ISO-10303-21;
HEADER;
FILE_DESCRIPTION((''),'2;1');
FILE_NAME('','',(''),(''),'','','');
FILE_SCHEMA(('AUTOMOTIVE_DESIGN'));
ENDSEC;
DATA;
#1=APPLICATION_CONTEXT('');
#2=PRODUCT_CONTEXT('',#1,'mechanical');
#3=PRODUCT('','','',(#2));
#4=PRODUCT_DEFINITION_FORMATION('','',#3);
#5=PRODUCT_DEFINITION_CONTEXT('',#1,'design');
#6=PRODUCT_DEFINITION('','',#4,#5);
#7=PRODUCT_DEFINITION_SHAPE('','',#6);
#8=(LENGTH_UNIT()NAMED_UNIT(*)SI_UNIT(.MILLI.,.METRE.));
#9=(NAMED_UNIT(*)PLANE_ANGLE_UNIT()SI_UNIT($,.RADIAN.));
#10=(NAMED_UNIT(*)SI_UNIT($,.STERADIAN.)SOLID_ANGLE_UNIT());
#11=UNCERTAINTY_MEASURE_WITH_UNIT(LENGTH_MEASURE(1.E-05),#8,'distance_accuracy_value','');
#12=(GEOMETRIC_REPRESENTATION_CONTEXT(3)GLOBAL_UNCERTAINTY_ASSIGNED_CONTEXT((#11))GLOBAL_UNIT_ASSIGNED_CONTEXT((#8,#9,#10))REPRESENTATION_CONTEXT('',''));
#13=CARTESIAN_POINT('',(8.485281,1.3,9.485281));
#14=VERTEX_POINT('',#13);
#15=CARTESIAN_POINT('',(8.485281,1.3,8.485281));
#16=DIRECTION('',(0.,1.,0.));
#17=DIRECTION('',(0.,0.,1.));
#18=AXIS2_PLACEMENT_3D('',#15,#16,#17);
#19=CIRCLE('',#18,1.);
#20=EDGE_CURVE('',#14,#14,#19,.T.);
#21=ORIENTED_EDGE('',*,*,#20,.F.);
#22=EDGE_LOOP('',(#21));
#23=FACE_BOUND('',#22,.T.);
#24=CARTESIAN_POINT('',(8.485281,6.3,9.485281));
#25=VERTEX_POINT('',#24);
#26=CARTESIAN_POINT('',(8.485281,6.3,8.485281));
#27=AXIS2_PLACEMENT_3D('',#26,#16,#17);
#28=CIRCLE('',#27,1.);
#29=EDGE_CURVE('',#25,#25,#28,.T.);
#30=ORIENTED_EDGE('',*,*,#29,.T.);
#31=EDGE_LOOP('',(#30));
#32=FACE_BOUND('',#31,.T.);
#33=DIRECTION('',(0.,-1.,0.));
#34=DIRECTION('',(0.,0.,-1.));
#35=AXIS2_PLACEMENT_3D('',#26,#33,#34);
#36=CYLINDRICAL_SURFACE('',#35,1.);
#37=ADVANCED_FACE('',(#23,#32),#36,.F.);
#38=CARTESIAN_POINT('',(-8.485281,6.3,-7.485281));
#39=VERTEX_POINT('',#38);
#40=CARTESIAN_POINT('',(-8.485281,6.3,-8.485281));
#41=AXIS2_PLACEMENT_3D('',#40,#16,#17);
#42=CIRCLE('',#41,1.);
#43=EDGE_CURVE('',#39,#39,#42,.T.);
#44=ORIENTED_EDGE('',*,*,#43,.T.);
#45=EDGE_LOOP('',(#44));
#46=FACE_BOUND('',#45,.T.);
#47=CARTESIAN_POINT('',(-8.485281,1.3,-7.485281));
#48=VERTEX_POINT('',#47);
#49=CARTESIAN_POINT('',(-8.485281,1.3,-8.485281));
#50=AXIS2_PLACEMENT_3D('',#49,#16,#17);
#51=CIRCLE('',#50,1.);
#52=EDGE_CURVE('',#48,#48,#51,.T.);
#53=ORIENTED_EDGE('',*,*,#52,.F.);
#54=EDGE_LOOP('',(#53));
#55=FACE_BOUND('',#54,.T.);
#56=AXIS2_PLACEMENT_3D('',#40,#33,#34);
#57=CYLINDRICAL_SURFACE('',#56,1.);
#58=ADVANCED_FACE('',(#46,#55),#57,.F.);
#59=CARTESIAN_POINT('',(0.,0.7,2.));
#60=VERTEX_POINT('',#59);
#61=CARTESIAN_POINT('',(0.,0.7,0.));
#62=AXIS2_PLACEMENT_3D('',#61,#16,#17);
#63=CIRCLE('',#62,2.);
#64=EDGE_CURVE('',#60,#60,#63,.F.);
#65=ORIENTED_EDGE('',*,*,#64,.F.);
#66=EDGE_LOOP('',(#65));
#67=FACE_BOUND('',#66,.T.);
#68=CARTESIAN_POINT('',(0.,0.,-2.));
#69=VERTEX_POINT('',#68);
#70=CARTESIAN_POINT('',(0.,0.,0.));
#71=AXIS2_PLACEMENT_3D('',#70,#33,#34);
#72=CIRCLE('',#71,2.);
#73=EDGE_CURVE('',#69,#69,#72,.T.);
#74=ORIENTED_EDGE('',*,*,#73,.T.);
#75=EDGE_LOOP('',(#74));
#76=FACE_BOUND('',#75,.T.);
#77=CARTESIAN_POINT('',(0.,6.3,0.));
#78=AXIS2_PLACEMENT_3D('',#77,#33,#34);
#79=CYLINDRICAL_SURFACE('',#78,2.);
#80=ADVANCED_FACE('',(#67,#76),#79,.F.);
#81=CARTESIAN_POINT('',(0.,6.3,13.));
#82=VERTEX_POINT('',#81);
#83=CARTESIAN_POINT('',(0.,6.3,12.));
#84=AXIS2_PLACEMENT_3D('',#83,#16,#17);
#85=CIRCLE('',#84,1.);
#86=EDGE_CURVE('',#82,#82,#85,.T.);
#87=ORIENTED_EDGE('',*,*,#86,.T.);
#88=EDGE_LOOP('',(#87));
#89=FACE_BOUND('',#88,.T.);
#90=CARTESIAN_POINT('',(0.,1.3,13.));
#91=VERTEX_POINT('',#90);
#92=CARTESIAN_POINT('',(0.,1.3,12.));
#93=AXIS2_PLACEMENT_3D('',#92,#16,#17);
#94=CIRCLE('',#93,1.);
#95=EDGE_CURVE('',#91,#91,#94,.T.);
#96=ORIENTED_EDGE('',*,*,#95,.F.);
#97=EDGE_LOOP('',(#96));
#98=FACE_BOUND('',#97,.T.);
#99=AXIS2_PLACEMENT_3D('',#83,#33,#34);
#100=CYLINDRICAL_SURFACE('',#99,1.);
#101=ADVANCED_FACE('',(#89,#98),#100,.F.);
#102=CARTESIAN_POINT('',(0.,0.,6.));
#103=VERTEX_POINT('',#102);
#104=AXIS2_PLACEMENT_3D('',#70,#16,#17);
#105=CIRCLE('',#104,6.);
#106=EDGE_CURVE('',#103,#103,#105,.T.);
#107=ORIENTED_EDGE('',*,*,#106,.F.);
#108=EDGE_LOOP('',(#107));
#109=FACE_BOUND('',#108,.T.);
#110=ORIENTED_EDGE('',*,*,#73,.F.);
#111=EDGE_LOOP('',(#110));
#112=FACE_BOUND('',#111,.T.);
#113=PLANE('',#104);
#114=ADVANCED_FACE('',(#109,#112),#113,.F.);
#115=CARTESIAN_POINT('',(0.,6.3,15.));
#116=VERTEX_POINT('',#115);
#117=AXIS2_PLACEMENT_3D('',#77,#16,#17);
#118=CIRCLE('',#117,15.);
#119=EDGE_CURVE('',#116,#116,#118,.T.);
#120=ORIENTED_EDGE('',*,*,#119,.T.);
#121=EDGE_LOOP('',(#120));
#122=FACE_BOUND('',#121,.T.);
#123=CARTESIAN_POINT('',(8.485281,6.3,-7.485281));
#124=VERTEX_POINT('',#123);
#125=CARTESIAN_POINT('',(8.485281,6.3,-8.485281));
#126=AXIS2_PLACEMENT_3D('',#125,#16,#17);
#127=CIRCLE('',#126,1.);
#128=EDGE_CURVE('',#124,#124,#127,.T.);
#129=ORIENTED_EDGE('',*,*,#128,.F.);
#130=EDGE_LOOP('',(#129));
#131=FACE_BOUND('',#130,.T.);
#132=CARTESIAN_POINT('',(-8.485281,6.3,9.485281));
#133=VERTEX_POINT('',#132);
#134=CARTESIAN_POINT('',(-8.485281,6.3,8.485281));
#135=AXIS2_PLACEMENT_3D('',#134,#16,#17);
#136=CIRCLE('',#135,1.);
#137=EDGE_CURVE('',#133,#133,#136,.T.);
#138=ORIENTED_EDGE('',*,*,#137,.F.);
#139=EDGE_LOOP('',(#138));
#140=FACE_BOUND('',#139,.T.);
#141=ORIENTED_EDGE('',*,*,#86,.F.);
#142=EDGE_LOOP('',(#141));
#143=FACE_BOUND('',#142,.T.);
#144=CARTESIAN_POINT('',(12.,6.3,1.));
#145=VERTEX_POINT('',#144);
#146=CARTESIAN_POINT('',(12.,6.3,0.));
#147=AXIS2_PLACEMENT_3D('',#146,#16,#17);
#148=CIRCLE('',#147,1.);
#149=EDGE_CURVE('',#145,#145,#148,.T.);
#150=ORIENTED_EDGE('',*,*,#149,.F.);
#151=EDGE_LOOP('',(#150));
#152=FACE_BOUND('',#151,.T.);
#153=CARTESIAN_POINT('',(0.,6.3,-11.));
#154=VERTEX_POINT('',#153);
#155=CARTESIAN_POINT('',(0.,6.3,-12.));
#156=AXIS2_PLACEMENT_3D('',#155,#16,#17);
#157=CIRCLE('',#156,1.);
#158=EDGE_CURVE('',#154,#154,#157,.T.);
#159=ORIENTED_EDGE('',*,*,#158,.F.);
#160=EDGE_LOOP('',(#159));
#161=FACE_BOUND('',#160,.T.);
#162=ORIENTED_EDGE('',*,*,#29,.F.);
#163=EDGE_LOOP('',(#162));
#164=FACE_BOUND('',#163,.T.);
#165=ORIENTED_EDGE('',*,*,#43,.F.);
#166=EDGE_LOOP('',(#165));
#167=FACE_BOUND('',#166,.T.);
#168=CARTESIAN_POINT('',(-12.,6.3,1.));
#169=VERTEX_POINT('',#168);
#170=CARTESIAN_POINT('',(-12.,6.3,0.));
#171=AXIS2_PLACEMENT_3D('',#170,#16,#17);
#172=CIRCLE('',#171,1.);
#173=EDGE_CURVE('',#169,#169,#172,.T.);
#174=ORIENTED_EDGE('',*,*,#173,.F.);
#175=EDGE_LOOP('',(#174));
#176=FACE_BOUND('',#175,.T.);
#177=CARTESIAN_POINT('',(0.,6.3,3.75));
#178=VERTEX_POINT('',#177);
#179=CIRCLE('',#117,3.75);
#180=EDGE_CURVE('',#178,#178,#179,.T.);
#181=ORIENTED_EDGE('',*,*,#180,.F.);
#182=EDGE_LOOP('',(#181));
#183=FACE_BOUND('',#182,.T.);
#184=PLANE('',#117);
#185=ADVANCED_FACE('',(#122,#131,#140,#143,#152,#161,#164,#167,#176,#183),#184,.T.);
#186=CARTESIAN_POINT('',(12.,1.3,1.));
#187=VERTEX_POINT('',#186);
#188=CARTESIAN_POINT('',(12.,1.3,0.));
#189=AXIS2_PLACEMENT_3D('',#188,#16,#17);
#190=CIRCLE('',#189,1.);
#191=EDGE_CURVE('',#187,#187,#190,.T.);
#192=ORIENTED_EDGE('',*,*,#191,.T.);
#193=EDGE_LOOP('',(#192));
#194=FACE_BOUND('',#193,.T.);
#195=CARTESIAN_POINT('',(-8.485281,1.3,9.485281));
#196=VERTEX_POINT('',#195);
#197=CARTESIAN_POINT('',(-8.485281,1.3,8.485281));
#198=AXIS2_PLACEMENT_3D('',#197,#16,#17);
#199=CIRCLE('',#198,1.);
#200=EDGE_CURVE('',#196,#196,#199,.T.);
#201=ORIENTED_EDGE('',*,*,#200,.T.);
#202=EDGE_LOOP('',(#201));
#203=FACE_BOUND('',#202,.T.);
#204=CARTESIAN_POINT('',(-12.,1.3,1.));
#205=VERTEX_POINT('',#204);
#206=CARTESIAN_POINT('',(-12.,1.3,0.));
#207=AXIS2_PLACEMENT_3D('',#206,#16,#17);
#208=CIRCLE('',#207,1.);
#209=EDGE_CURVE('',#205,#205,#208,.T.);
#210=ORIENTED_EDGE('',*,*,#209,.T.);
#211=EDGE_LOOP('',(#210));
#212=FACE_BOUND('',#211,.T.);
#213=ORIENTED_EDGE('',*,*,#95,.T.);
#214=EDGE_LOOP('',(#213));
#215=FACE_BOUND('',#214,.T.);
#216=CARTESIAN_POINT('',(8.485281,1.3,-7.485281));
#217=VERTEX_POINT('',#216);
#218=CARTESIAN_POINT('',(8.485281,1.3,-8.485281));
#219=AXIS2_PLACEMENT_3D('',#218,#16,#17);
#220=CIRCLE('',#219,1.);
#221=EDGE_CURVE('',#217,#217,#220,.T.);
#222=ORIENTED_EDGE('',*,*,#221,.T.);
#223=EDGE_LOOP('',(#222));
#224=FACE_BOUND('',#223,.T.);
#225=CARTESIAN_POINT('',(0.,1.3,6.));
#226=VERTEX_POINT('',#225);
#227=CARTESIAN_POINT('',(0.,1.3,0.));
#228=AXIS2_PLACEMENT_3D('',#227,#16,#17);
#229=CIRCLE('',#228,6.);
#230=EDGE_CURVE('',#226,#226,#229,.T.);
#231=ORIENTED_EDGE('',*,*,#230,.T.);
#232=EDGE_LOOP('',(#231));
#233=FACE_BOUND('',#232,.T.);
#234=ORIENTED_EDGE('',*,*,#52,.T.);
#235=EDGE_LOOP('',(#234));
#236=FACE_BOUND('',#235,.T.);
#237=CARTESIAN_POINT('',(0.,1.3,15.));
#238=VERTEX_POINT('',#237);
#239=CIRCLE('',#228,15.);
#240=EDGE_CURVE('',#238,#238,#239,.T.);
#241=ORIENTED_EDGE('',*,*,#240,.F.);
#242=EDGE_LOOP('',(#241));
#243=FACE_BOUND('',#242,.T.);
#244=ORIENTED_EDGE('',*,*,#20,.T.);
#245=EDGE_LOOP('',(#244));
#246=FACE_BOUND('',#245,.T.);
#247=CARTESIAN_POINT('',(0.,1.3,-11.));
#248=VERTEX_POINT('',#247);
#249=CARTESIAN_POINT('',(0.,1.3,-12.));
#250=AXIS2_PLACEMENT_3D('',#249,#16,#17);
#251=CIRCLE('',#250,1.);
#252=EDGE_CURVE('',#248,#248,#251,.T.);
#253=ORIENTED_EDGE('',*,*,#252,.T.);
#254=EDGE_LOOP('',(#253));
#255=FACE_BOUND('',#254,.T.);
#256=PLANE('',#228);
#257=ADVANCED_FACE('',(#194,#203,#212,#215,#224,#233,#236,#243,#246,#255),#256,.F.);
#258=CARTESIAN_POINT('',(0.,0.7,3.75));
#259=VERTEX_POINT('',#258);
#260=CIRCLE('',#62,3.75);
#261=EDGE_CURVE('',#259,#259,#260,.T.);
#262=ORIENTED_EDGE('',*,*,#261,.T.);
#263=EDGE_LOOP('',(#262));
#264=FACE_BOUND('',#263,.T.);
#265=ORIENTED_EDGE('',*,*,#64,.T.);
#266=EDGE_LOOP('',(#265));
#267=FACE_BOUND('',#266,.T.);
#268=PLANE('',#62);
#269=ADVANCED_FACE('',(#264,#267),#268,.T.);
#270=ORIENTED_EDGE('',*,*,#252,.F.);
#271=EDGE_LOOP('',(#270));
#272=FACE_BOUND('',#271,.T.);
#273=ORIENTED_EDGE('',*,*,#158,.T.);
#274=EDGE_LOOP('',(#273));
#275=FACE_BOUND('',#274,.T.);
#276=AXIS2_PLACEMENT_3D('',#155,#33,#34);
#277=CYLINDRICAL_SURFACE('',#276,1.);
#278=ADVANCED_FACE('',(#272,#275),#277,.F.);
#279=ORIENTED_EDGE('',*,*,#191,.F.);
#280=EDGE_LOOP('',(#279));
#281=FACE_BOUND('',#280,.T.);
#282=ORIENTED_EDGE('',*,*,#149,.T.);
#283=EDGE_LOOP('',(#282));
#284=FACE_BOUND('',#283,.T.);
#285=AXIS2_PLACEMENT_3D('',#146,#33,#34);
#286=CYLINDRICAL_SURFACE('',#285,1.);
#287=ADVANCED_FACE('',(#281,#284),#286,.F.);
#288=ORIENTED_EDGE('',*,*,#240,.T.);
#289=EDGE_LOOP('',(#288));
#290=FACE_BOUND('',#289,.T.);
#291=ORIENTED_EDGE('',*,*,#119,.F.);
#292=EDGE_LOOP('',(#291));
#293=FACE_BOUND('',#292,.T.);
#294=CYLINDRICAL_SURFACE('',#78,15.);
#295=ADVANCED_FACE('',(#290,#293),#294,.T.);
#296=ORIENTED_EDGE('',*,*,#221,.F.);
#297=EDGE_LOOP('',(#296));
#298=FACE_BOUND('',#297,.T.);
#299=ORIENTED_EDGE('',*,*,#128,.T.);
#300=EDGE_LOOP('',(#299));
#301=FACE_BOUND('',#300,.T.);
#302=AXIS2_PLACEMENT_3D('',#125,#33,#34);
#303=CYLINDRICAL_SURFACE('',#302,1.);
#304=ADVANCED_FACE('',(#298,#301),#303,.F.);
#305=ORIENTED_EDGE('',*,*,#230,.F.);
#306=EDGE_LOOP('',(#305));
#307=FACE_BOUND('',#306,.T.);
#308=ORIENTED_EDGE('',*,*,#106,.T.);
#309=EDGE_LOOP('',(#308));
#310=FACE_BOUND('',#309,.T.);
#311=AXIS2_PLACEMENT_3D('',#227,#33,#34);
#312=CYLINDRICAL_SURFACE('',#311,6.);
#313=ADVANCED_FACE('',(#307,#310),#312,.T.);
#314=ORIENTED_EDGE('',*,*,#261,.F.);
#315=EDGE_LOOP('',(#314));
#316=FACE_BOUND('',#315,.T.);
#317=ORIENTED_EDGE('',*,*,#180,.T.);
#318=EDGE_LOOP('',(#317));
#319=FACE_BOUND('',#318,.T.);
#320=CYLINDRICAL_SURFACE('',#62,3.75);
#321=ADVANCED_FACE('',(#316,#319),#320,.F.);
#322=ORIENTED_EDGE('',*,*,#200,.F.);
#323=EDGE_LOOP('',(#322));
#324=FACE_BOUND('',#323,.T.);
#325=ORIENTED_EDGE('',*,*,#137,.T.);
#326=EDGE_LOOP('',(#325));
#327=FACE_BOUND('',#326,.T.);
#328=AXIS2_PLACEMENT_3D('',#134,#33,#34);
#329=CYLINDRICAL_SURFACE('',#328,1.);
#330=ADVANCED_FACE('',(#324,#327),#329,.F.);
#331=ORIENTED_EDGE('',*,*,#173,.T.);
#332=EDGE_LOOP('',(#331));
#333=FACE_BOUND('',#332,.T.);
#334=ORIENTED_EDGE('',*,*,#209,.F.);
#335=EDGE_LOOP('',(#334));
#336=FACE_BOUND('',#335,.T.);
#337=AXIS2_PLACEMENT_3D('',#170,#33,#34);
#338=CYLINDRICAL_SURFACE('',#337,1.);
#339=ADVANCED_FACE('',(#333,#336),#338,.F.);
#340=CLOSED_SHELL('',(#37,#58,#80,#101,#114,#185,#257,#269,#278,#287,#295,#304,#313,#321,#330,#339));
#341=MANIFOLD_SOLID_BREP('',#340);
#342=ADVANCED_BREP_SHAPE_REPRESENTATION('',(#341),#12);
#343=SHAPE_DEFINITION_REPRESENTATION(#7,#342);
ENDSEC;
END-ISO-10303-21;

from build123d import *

# Parameters (mm, degrees)
SKETCH1_R           = 6
BOSS_EXTRUDE1_DEPTH = 1.3
SKETCH2_R           = 15
SKETCH2_R_2         = 1
BOSS_EXTRUDE2_DEPTH = 5
SKETCH3_R           = 2
CUT_EXTRUDE1_DEPTH  = 23.128940327
SKETCH4_R           = 3.75
CUT_EXTRUDE2_DEPTH  = 5.6


with BuildPart() as part:
    # Sketch1 → Boss-Extrude1 (new body)
    with BuildSketch(Plane(origin=(0, 0, 0), x_dir=(1, 0, 0), z_dir=(0, 1, 0))):
        with Locations(Location((0, 0, 0), (0, 0, 270))):
            Circle(SKETCH1_R)
    extrude(amount=BOSS_EXTRUDE1_DEPTH)

    # Sketch2 → Boss-Extrude2 (add)
    with BuildSketch(Plane(origin=(0, 1.3, 0), x_dir=(1, 0, 0), z_dir=(0, 1, 0))):
        with Locations(Location((0, 0, 0), (0, 0, 270))):
            Circle(SKETCH2_R)
        with Locations(Location((0, 12, 0), (0, 0, 270))):
            Circle(SKETCH2_R_2, mode=Mode.SUBTRACT)
        with Locations(Location((8.485281374, 8.485281374, 0), (0, 0, 270))):
            Circle(SKETCH2_R_2, mode=Mode.SUBTRACT)
        with Locations(Location((12, 0, 0), (0, 0, 270))):
            Circle(SKETCH2_R_2, mode=Mode.SUBTRACT)
        with Locations(Location((8.485281374, -8.485281374, 0), (0, 0, 270))):
            Circle(SKETCH2_R_2, mode=Mode.SUBTRACT)
        with Locations(Location((0, -12, 0), (0, 0, 270))):
            Circle(SKETCH2_R_2, mode=Mode.SUBTRACT)
        with Locations(Location((-8.485281374, -8.485281374, 0), (0, 0, 270))):
            Circle(SKETCH2_R_2, mode=Mode.SUBTRACT)
        with Locations(Location((-12, 0, 0), (0, 0, 270))):
            Circle(SKETCH2_R_2, mode=Mode.SUBTRACT)
        with Locations(Location((-8.485281374, 8.485281374, 0), (0, 0, 270))):
            Circle(SKETCH2_R_2, mode=Mode.SUBTRACT)
    extrude(amount=BOSS_EXTRUDE2_DEPTH)

    # Sketch3 → Cut-Extrude1 (cut, through all)
    with BuildSketch(Plane.XZ):
        with Locations(Location((0, 0, 0), (0, 0, 270))):
            Circle(SKETCH3_R)
    extrude(amount=-CUT_EXTRUDE1_DEPTH, mode=Mode.SUBTRACT)

    # Sketch4 → Cut-Extrude2 (cut)
    with BuildSketch(Plane(origin=(0, 6.3, 0), x_dir=(1, 0, 0), z_dir=(0, 1, 0))):
        with Locations(Location((0, 0, 0), (0, 0, 270))):
            Circle(SKETCH4_R)
    extrude(amount=-CUT_EXTRUDE2_DEPTH, mode=Mode.SUBTRACT)


solid = part.part
